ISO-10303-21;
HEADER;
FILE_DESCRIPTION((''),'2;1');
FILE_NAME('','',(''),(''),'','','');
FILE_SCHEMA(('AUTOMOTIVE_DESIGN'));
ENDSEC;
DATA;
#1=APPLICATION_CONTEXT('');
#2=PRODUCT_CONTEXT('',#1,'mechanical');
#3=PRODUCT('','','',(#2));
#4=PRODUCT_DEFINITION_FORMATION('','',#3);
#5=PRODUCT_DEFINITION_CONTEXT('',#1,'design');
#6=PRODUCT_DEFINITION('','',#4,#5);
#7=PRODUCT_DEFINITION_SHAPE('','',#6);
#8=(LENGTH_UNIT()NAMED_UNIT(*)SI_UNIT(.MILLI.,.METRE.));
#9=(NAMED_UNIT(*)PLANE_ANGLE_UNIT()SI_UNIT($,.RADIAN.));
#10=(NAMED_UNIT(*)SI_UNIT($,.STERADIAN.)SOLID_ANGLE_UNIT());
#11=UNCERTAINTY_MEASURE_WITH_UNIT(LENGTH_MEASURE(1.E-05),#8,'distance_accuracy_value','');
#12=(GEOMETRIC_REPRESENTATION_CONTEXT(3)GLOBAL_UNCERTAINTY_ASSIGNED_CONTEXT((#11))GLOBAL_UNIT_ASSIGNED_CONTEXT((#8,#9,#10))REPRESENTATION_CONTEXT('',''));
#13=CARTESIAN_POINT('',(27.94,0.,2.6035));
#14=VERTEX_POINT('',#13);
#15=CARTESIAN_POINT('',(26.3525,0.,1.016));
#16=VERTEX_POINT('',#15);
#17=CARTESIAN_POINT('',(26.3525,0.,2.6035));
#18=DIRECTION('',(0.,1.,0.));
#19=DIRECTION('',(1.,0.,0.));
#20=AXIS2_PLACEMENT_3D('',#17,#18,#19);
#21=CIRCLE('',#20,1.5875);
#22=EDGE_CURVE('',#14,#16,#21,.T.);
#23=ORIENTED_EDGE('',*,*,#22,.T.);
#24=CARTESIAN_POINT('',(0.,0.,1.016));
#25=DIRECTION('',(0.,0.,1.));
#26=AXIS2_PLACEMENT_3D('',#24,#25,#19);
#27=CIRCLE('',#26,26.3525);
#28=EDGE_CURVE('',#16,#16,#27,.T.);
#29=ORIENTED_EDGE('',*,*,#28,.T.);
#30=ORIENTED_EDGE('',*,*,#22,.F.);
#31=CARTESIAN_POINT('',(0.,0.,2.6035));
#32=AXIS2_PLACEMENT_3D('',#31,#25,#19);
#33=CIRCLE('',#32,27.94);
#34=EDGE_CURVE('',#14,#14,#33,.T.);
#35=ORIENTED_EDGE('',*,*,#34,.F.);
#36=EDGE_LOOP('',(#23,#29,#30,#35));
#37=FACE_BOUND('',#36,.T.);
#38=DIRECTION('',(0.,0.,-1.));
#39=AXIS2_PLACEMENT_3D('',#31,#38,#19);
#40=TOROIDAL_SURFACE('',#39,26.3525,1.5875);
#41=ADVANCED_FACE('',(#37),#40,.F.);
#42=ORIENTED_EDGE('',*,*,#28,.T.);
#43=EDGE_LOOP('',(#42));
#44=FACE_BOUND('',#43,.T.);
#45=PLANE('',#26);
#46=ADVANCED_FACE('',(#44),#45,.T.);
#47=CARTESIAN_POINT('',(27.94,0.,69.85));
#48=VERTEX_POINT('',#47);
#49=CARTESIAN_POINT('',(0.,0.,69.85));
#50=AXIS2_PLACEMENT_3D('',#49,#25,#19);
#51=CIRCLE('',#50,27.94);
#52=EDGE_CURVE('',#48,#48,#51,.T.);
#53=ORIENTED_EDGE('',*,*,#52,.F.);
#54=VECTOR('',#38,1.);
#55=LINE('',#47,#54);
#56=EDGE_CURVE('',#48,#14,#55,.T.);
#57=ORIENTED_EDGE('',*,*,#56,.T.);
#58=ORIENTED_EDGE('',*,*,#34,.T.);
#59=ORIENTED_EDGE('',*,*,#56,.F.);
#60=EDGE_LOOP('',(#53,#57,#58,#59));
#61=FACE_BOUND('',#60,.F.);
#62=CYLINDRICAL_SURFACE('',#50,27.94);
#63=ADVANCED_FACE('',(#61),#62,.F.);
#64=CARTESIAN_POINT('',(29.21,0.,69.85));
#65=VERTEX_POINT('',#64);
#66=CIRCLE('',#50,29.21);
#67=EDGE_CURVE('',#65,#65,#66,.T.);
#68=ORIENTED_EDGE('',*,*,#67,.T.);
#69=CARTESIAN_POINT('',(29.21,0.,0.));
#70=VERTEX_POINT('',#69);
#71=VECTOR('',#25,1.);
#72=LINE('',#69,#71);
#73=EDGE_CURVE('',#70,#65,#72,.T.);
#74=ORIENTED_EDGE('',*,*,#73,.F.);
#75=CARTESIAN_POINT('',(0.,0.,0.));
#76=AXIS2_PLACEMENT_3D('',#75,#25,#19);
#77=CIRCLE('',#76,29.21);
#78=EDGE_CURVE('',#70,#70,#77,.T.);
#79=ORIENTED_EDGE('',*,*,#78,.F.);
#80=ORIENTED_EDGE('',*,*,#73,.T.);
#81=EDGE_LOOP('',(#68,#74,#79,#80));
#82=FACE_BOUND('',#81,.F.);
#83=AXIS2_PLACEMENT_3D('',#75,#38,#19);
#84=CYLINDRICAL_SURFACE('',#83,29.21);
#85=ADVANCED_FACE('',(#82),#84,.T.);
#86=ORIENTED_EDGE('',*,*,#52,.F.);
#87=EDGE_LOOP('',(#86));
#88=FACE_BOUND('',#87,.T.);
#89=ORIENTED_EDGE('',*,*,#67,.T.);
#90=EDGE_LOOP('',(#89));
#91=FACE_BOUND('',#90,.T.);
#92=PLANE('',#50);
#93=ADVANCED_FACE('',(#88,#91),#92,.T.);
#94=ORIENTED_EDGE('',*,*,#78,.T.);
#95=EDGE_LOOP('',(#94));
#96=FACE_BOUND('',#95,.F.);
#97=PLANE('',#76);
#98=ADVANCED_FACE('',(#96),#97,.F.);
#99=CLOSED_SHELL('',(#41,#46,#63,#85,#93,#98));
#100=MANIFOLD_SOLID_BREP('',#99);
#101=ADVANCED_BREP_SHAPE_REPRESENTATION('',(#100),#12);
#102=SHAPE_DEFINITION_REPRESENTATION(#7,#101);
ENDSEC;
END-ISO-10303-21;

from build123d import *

# Parameters (mm, degrees)
F0_R     = 29.21
F1_DEPTH = 69.85
F2_R     = 27.94
F3_DEPTH = 68.834
F4_R     = 1.5875


with BuildPart() as f1:
    # F0 (on Top) → F1 (new body)
    with BuildSketch(Plane.XY):
        Circle(F0_R)
    extrude(amount=F1_DEPTH)

    # F2 (on face) → F3 (cut)
    with BuildSketch(Plane.XY.offset(69.85)):
        Circle(F2_R)
    extrude(amount=-F3_DEPTH, mode=Mode.SUBTRACT)

    # F4
    f4_edges = [f1.edges().sort_by_distance(p)[0] for p in [
        (-27.94, 0, 1.016),
    ]]
    fillet(f4_edges, radius=F4_R)


solid = f1.part
